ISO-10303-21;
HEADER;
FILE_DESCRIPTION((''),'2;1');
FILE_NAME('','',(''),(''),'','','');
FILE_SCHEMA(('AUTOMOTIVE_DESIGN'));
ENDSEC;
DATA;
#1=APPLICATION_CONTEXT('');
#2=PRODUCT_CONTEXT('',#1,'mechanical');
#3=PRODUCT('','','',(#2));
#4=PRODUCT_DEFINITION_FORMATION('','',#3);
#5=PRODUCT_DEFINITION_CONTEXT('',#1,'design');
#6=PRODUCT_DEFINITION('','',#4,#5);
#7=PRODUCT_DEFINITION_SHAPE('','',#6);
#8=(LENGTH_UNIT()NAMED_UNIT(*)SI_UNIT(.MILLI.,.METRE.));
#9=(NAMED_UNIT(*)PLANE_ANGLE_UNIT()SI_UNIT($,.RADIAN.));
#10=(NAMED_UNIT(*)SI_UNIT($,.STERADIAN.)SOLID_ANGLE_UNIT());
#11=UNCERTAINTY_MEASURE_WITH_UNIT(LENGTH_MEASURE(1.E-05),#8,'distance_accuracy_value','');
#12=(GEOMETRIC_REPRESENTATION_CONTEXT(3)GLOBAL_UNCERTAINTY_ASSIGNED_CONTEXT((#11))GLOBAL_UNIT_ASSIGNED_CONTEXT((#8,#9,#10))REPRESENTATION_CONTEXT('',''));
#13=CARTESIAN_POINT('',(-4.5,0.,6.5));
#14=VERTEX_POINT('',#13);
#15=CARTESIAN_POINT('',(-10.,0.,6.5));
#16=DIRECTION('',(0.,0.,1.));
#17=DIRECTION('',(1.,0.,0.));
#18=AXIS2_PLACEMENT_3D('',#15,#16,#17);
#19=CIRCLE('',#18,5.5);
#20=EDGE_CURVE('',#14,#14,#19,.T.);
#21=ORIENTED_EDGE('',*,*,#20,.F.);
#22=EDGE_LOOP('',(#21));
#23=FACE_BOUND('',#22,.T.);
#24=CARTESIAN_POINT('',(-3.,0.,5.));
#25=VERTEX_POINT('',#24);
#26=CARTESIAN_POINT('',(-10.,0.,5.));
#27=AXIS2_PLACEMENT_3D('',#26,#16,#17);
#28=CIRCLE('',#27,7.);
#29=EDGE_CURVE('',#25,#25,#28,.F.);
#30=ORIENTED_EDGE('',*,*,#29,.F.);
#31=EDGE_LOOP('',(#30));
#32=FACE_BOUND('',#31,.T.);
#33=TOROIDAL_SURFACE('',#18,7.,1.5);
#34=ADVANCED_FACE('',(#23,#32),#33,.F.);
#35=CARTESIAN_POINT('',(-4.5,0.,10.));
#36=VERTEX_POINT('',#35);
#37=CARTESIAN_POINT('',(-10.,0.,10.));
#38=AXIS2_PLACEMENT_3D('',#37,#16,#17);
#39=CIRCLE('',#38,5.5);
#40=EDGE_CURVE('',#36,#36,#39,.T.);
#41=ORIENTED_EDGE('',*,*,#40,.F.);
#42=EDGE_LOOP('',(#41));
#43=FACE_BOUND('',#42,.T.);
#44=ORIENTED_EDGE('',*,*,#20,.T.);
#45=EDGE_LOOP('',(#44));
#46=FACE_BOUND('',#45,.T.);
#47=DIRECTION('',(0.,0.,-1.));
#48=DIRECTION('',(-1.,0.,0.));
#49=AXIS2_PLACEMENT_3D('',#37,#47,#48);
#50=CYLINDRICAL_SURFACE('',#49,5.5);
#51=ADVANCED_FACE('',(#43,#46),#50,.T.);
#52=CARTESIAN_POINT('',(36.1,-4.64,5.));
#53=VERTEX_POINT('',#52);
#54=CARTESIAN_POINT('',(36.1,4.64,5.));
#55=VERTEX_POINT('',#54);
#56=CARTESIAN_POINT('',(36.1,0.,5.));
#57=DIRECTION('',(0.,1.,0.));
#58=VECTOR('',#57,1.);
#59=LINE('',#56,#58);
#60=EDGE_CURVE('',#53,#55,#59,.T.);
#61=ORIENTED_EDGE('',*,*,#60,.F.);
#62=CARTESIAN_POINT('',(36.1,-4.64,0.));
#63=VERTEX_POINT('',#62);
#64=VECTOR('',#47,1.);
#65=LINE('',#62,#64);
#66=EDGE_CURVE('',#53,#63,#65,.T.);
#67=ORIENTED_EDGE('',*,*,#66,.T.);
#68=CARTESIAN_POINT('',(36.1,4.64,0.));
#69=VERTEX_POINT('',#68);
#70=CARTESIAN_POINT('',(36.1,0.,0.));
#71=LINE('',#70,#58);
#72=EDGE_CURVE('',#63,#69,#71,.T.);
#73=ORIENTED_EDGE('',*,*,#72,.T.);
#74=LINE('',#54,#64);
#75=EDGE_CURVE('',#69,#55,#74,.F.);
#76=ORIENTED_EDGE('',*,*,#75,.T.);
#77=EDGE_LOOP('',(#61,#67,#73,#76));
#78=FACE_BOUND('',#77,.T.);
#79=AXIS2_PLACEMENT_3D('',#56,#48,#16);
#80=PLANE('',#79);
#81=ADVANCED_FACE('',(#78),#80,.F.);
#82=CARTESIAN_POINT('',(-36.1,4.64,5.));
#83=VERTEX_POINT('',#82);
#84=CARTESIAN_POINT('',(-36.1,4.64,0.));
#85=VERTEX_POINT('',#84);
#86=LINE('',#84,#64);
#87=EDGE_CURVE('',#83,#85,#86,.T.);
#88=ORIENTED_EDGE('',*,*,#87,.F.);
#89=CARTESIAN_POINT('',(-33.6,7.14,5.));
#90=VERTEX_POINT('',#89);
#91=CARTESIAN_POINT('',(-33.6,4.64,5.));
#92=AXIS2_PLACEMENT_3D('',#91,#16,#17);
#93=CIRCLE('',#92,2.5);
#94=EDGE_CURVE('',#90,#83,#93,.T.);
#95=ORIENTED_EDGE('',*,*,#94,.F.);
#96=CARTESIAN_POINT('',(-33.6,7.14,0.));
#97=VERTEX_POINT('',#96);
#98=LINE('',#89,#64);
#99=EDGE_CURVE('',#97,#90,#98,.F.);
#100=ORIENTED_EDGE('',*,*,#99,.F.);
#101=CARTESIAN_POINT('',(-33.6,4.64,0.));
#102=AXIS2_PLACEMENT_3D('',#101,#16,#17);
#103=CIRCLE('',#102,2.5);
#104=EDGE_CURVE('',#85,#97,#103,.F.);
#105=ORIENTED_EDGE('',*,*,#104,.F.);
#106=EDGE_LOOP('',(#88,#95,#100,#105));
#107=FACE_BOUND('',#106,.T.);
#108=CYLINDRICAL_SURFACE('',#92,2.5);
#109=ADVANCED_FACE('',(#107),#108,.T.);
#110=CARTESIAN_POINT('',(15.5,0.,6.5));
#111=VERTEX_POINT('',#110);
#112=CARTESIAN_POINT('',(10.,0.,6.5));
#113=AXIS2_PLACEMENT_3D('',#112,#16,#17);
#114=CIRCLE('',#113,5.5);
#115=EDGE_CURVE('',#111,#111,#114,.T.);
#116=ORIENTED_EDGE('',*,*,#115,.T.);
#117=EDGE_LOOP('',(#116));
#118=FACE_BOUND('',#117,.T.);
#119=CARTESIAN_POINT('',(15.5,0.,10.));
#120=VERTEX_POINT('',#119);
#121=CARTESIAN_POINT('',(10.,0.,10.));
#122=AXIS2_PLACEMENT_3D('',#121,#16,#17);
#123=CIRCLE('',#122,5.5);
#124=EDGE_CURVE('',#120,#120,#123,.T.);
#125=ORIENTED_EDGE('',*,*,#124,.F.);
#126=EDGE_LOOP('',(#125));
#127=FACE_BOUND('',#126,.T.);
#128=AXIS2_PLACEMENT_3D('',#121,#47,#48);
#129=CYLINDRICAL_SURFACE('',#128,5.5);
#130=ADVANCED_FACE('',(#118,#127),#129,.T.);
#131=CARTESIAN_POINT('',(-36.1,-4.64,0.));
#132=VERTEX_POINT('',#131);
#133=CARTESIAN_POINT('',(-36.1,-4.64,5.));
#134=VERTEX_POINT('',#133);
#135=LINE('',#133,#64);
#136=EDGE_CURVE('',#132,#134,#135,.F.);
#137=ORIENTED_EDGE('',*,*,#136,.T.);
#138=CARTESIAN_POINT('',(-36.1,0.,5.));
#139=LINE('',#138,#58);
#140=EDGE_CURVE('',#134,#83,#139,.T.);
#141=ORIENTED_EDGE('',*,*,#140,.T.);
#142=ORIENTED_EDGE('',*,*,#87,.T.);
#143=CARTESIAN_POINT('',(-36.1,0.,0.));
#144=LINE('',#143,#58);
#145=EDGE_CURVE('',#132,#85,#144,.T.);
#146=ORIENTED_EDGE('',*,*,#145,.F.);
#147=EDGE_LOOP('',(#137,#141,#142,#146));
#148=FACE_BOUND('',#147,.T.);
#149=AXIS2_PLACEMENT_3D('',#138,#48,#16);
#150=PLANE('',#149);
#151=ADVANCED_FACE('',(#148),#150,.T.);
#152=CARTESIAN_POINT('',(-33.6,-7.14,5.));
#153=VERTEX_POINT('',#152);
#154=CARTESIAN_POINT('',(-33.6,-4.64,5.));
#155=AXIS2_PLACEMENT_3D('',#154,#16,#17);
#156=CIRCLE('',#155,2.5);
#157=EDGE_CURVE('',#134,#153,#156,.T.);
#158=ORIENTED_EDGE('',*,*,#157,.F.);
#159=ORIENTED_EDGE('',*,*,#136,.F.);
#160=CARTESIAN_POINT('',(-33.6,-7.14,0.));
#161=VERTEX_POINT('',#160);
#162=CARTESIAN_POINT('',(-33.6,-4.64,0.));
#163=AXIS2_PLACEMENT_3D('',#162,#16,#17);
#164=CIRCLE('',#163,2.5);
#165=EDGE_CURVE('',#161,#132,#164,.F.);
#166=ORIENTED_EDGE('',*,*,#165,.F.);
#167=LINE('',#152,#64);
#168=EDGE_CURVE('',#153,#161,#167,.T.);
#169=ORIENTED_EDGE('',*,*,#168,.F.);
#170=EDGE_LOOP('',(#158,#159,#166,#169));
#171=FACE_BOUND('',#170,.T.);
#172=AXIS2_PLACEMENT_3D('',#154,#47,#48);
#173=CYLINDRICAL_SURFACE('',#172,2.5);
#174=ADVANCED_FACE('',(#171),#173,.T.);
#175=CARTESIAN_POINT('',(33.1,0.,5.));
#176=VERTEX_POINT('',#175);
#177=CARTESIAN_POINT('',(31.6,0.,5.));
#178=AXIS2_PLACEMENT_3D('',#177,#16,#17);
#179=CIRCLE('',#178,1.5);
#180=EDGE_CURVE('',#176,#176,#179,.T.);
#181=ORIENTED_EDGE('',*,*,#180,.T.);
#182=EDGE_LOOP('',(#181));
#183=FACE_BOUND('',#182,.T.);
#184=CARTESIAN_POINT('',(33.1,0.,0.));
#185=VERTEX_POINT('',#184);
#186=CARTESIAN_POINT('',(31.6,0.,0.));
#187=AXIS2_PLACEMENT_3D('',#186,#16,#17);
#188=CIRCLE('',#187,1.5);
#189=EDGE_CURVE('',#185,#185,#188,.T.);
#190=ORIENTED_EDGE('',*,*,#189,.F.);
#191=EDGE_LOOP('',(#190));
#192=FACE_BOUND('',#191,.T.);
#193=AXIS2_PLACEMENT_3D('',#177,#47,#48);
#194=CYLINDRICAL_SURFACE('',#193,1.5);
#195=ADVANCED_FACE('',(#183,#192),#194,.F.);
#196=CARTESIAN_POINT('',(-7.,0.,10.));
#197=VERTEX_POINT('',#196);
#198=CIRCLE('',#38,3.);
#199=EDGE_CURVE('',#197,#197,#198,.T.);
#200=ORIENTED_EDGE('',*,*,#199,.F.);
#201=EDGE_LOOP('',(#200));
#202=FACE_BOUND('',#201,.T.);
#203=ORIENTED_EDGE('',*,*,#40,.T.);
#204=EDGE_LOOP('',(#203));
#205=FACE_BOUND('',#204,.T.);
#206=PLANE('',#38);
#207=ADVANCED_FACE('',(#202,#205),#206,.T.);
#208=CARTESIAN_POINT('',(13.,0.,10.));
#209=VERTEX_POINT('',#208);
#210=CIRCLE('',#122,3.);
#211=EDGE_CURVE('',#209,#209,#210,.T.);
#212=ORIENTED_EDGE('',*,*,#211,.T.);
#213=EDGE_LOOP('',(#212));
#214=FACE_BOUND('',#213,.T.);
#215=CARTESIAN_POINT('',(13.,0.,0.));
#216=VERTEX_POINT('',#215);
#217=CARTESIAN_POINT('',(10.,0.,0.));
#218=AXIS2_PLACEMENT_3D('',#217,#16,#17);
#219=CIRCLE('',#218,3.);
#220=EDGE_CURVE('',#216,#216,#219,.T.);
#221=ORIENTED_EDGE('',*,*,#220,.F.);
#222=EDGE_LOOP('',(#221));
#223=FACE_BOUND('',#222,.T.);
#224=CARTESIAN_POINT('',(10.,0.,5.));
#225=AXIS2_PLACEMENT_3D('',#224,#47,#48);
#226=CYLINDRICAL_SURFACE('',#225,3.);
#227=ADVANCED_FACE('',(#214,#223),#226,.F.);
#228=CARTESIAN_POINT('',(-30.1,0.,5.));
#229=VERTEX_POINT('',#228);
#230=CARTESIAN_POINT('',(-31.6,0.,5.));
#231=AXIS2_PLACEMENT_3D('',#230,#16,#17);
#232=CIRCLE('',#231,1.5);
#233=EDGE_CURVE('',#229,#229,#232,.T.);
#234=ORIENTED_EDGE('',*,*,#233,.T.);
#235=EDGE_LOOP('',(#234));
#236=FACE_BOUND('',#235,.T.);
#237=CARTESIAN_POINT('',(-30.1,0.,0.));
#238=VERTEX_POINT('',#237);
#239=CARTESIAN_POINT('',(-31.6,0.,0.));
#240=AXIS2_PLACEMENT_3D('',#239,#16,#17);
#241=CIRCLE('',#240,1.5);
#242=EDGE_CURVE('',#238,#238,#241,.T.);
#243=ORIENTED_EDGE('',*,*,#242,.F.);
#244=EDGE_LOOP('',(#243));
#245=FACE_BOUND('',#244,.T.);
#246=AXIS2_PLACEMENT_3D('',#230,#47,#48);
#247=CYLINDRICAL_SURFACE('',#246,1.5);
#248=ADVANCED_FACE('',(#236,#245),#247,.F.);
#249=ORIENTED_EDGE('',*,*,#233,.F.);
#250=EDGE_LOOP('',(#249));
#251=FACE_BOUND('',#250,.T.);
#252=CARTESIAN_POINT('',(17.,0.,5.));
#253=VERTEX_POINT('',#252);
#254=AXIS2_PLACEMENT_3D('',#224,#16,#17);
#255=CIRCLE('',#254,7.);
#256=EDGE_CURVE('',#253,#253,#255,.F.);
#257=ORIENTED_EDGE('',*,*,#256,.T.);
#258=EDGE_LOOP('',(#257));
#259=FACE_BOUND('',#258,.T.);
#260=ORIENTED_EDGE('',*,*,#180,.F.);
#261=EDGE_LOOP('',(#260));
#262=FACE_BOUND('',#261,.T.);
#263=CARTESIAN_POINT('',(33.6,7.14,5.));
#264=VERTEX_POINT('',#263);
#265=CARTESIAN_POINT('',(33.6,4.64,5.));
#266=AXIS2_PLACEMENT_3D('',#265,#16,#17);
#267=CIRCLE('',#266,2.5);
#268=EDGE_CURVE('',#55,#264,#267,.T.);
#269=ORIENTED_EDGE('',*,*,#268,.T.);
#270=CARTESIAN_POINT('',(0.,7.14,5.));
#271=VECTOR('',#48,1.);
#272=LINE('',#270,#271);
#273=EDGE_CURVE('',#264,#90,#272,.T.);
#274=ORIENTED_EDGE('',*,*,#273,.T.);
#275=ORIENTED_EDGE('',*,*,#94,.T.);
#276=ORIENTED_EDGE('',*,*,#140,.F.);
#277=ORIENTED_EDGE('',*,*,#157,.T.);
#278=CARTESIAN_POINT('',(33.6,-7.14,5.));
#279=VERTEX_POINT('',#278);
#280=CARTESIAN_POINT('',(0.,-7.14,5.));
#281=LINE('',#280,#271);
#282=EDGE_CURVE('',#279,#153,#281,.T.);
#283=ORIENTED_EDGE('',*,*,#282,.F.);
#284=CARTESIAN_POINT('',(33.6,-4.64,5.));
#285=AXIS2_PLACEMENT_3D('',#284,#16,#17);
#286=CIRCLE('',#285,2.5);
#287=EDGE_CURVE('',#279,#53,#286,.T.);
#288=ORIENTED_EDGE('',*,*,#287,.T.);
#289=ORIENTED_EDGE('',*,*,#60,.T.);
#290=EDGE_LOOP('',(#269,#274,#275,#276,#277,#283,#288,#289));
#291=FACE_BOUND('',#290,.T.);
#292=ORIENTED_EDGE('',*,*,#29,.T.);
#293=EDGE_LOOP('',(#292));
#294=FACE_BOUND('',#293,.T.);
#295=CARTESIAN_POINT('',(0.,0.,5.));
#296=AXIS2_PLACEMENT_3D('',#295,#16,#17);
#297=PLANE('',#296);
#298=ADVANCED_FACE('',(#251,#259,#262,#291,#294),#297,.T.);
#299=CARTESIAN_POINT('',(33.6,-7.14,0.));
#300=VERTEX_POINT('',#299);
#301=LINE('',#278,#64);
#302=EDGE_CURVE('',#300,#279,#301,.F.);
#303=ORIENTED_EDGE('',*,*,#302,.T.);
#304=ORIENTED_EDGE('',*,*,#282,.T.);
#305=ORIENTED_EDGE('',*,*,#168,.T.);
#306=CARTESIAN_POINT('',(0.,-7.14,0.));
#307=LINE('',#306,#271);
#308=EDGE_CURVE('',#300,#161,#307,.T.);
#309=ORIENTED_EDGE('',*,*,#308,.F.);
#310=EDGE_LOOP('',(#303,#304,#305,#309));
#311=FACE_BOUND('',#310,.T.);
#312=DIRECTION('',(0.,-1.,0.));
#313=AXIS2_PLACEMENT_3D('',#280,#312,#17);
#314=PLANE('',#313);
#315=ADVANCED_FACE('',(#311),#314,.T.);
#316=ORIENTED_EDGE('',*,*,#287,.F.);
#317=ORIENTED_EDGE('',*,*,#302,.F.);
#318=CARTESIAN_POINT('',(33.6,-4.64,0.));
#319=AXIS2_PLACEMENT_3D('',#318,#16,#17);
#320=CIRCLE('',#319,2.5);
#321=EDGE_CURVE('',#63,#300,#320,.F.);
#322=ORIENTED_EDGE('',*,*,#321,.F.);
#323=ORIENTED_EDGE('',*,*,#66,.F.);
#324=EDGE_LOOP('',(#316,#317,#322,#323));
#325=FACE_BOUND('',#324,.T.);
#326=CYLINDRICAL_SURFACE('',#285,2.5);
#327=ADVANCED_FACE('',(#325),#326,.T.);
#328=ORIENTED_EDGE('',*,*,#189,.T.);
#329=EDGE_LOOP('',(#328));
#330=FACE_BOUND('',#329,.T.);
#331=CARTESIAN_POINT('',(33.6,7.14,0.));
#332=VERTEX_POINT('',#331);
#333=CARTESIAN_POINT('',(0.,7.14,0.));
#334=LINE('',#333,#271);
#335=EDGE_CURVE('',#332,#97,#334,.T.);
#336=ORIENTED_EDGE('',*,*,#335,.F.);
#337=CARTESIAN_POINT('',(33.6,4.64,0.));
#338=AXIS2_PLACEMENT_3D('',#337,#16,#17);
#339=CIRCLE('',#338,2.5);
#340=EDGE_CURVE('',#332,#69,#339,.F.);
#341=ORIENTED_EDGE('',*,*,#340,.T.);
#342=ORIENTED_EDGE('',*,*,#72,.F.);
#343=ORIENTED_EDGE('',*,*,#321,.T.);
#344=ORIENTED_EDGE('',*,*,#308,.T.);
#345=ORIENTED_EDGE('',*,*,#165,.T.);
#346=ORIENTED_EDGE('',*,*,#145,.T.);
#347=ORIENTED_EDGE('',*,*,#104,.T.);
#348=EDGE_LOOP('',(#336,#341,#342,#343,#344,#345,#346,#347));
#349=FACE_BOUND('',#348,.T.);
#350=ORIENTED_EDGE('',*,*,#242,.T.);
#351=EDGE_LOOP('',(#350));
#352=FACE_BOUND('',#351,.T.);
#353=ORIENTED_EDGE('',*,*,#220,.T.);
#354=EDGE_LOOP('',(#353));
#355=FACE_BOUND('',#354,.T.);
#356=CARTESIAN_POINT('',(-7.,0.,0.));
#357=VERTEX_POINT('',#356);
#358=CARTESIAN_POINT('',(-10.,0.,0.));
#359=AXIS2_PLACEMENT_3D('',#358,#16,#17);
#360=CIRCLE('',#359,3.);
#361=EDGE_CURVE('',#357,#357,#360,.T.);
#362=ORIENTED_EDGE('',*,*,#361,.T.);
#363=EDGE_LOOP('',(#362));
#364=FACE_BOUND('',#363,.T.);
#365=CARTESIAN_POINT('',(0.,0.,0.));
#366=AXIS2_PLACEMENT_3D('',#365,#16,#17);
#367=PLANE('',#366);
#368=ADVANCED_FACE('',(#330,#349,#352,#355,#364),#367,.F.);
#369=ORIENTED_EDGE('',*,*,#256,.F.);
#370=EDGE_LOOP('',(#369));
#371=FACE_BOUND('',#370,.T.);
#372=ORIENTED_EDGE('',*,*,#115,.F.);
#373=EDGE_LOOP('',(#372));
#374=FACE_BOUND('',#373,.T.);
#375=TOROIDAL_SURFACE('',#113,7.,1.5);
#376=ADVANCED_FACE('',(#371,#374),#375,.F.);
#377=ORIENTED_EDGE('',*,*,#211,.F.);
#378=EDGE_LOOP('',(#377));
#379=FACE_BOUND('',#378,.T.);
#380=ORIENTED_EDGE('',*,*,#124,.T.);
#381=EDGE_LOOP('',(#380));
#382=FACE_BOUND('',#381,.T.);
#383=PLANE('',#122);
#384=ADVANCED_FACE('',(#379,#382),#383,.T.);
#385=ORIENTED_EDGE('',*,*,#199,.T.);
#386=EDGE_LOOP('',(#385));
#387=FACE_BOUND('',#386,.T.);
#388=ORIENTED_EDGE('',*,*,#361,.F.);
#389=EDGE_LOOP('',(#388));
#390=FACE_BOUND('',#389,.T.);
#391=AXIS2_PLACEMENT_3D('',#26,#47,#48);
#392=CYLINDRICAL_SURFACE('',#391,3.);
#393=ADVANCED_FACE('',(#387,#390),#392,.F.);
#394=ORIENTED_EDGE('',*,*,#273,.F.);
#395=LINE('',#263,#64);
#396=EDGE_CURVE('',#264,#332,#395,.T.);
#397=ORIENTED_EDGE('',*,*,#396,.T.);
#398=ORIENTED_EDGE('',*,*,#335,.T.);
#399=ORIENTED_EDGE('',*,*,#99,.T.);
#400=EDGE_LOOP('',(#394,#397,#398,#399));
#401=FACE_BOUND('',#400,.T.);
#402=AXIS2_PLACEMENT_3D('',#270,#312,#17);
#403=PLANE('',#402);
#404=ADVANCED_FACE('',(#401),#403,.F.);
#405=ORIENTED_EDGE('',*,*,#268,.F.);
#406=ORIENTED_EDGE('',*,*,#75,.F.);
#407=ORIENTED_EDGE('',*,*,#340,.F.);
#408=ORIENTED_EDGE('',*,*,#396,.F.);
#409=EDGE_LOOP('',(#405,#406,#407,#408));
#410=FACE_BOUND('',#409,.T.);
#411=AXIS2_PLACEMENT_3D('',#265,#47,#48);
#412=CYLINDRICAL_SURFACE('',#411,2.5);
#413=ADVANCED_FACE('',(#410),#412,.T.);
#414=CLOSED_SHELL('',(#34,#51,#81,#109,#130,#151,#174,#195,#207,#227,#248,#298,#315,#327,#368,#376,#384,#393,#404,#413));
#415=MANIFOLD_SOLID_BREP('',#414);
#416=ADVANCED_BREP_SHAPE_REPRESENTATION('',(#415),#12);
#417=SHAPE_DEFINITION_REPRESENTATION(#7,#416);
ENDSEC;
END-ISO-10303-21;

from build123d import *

# Parameters (mm, degrees)
SKETCH_1_W      = 72.2
SKETCH_1_H      = 14.28
SKETCH_1_R      = 1.5
SKETCH_1_R_2    = 3
EXTRUDE_1_DEPTH = 5
FILLET_1_R      = 2.5
SKETCH_2_R      = 5.5
SKETCH_2_R_2    = 3
EXTRUDE_2_DEPTH = 5
FILLET_2_R      = 1.5


with BuildPart() as part:
    # 草图1 → 凸台-拉伸1 (new body)
    with BuildSketch(Plane.XY):
        Rectangle(SKETCH_1_W, SKETCH_1_H)
        with Locations((31.6, 0)):
            Circle(SKETCH_1_R, mode=Mode.SUBTRACT)
        with Locations((-31.6, 0)):
            Circle(SKETCH_1_R, mode=Mode.SUBTRACT)
        with Locations((10, 0)):
            Circle(SKETCH_1_R_2, mode=Mode.SUBTRACT)
        with Locations((-10, 0)):
            Circle(SKETCH_1_R_2, mode=Mode.SUBTRACT)
    extrude(amount=EXTRUDE_1_DEPTH)

    # 圆角1
    fillet_1_edges = [part.edges().sort_by_distance(p)[0] for p in [
        (-36.1, 7.14, 2.5),
        (36.1, 7.14, 2.5),
        (36.1, -7.14, 2.5),
        (-36.1, -7.14, 2.5),
    ]]
    fillet(fillet_1_edges, radius=FILLET_1_R)

    # 草图2 → 凸台-拉伸2 (add)
    # profile 1 of 2: a face of its own
    with BuildSketch(Plane.XY.offset(5)):
        with Locations((-10, 0)):
            Circle(SKETCH_2_R)
        with Locations((-10, 0)):
            Circle(SKETCH_2_R_2, mode=Mode.SUBTRACT)
    # profile 2 of 2: a face of its own
    with BuildSketch(Plane.XY.offset(5)):
        with Locations((10, 0)):
            Circle(SKETCH_2_R)
        with Locations((10, 0)):
            Circle(SKETCH_2_R_2, mode=Mode.SUBTRACT)
    extrude(amount=EXTRUDE_2_DEPTH)

    # 圆角2
    fillet_2_edges = [part.edges().sort_by_distance(p)[0] for p in [
        (-15.5, 0, 5),
        (4.5, 0, 5),
    ]]
    fillet(fillet_2_edges, radius=FILLET_2_R)


solid = part.part
